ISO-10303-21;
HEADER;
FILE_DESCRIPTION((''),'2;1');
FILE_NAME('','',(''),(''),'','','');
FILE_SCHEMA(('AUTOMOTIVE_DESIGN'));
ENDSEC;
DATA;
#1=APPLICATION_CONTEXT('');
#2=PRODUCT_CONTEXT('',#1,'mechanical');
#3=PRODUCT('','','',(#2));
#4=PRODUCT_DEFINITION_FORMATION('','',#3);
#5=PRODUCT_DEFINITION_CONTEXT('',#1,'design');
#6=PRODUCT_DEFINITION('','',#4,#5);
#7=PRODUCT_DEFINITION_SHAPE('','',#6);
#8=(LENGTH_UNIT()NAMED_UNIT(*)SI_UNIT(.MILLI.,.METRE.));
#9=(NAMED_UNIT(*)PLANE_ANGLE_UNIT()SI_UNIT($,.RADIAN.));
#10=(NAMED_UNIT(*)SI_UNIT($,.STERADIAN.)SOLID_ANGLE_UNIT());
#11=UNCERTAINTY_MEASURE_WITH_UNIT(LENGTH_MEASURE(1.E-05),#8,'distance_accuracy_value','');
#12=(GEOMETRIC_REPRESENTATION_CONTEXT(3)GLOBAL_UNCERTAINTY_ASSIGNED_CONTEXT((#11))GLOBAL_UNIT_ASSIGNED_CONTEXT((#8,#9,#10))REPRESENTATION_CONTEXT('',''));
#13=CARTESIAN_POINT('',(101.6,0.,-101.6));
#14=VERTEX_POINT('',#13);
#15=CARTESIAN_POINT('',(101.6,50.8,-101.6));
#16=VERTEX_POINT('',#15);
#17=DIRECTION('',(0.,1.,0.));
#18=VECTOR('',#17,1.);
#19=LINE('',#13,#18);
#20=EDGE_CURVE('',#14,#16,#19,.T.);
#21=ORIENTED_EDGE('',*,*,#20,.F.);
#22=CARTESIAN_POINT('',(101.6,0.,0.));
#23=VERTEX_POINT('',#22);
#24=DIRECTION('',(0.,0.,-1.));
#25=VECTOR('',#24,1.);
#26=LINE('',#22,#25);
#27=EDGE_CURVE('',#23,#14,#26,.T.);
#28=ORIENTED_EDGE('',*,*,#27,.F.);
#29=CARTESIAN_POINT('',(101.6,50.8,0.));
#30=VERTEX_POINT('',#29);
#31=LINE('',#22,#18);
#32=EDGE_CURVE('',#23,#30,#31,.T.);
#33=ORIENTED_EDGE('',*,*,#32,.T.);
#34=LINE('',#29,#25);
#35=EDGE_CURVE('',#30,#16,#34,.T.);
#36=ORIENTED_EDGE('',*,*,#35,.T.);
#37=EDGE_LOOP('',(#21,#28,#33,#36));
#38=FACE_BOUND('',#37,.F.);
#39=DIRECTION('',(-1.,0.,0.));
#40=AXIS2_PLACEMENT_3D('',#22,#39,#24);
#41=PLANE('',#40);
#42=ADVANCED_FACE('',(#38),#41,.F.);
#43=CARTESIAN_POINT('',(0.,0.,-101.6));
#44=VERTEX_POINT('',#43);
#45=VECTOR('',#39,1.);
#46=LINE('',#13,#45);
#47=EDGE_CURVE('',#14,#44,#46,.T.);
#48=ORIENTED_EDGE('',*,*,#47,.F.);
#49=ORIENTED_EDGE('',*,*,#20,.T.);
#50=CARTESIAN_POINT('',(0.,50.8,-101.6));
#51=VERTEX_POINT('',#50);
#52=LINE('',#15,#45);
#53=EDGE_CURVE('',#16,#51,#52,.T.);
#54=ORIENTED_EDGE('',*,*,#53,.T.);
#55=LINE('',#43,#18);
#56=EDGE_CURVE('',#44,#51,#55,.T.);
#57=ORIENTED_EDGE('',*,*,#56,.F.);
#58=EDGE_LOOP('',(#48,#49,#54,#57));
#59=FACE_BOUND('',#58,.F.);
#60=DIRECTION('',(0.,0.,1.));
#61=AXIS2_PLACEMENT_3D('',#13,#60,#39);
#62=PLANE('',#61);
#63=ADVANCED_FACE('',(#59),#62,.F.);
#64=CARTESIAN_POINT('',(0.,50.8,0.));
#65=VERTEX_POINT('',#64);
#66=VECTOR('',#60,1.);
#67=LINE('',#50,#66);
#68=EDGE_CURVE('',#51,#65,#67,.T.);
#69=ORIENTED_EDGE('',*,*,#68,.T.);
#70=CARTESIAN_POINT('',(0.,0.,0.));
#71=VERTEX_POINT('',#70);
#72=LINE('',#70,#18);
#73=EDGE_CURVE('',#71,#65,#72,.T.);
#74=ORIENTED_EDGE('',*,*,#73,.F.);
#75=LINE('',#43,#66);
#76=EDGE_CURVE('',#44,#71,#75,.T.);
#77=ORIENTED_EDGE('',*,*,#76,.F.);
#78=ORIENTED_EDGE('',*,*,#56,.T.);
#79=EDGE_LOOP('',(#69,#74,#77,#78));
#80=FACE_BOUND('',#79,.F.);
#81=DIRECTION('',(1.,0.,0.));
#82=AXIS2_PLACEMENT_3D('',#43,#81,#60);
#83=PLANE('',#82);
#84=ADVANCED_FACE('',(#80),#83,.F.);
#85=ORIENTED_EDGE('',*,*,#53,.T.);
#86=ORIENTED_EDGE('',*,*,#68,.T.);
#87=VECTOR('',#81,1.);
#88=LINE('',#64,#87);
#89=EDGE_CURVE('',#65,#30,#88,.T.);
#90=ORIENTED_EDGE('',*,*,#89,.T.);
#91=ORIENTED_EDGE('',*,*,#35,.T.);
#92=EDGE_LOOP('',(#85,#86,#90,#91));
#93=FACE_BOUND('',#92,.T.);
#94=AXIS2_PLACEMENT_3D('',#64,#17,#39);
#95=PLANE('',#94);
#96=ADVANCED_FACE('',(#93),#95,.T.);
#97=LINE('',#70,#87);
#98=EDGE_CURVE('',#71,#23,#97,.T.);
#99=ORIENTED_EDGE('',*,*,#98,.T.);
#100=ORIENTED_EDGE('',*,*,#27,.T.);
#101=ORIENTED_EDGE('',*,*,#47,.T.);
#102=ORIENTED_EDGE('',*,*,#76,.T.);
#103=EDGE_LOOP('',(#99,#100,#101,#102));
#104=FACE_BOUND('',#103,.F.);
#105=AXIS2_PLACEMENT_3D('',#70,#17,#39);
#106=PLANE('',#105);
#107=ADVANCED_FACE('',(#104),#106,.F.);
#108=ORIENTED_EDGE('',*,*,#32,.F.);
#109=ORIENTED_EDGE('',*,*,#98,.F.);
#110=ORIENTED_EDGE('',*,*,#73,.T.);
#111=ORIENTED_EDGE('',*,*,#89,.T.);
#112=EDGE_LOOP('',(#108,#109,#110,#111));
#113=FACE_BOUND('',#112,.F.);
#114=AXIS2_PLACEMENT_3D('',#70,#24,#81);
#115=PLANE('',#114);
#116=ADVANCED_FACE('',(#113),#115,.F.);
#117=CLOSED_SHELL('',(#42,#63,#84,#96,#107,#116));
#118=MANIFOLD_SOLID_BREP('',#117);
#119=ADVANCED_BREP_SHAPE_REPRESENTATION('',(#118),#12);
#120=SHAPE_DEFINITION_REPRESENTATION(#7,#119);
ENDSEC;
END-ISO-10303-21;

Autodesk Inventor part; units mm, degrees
ref_plane "YZ Plane" through (0, 0, 0) normal (1, 0, 0) x (0, 1, 0)
ref_plane "XZ Plane" through (0, 0, 0) normal (0, 1, 0) x (-1, 0, 0)
ref_plane "XY Plane" through (0, 0, 0) normal (0, 0, 1) x (1, 0, 0)
sketch "Sketch1" plane through (0, 0, 0) normal (0, 1, 0) x (-1, 0, 0)
  line L0 (0, 0) -> (-101.6, 0)
  line L1 (-101.6, 0) -> (-101.6, -101.6)
  line L2 (-101.6, -101.6) -> (0, -101.6)
  line L3 (0, -101.6) -> (0, 0)
  dimension "d0" = 101.6
  dimension "d1" = 101.6
extrude "Extrusion1" add sketch "Sketch1" along normal blind 50.8
properties part number "Standard - Paver" material "Granite, Cut, Polished"
